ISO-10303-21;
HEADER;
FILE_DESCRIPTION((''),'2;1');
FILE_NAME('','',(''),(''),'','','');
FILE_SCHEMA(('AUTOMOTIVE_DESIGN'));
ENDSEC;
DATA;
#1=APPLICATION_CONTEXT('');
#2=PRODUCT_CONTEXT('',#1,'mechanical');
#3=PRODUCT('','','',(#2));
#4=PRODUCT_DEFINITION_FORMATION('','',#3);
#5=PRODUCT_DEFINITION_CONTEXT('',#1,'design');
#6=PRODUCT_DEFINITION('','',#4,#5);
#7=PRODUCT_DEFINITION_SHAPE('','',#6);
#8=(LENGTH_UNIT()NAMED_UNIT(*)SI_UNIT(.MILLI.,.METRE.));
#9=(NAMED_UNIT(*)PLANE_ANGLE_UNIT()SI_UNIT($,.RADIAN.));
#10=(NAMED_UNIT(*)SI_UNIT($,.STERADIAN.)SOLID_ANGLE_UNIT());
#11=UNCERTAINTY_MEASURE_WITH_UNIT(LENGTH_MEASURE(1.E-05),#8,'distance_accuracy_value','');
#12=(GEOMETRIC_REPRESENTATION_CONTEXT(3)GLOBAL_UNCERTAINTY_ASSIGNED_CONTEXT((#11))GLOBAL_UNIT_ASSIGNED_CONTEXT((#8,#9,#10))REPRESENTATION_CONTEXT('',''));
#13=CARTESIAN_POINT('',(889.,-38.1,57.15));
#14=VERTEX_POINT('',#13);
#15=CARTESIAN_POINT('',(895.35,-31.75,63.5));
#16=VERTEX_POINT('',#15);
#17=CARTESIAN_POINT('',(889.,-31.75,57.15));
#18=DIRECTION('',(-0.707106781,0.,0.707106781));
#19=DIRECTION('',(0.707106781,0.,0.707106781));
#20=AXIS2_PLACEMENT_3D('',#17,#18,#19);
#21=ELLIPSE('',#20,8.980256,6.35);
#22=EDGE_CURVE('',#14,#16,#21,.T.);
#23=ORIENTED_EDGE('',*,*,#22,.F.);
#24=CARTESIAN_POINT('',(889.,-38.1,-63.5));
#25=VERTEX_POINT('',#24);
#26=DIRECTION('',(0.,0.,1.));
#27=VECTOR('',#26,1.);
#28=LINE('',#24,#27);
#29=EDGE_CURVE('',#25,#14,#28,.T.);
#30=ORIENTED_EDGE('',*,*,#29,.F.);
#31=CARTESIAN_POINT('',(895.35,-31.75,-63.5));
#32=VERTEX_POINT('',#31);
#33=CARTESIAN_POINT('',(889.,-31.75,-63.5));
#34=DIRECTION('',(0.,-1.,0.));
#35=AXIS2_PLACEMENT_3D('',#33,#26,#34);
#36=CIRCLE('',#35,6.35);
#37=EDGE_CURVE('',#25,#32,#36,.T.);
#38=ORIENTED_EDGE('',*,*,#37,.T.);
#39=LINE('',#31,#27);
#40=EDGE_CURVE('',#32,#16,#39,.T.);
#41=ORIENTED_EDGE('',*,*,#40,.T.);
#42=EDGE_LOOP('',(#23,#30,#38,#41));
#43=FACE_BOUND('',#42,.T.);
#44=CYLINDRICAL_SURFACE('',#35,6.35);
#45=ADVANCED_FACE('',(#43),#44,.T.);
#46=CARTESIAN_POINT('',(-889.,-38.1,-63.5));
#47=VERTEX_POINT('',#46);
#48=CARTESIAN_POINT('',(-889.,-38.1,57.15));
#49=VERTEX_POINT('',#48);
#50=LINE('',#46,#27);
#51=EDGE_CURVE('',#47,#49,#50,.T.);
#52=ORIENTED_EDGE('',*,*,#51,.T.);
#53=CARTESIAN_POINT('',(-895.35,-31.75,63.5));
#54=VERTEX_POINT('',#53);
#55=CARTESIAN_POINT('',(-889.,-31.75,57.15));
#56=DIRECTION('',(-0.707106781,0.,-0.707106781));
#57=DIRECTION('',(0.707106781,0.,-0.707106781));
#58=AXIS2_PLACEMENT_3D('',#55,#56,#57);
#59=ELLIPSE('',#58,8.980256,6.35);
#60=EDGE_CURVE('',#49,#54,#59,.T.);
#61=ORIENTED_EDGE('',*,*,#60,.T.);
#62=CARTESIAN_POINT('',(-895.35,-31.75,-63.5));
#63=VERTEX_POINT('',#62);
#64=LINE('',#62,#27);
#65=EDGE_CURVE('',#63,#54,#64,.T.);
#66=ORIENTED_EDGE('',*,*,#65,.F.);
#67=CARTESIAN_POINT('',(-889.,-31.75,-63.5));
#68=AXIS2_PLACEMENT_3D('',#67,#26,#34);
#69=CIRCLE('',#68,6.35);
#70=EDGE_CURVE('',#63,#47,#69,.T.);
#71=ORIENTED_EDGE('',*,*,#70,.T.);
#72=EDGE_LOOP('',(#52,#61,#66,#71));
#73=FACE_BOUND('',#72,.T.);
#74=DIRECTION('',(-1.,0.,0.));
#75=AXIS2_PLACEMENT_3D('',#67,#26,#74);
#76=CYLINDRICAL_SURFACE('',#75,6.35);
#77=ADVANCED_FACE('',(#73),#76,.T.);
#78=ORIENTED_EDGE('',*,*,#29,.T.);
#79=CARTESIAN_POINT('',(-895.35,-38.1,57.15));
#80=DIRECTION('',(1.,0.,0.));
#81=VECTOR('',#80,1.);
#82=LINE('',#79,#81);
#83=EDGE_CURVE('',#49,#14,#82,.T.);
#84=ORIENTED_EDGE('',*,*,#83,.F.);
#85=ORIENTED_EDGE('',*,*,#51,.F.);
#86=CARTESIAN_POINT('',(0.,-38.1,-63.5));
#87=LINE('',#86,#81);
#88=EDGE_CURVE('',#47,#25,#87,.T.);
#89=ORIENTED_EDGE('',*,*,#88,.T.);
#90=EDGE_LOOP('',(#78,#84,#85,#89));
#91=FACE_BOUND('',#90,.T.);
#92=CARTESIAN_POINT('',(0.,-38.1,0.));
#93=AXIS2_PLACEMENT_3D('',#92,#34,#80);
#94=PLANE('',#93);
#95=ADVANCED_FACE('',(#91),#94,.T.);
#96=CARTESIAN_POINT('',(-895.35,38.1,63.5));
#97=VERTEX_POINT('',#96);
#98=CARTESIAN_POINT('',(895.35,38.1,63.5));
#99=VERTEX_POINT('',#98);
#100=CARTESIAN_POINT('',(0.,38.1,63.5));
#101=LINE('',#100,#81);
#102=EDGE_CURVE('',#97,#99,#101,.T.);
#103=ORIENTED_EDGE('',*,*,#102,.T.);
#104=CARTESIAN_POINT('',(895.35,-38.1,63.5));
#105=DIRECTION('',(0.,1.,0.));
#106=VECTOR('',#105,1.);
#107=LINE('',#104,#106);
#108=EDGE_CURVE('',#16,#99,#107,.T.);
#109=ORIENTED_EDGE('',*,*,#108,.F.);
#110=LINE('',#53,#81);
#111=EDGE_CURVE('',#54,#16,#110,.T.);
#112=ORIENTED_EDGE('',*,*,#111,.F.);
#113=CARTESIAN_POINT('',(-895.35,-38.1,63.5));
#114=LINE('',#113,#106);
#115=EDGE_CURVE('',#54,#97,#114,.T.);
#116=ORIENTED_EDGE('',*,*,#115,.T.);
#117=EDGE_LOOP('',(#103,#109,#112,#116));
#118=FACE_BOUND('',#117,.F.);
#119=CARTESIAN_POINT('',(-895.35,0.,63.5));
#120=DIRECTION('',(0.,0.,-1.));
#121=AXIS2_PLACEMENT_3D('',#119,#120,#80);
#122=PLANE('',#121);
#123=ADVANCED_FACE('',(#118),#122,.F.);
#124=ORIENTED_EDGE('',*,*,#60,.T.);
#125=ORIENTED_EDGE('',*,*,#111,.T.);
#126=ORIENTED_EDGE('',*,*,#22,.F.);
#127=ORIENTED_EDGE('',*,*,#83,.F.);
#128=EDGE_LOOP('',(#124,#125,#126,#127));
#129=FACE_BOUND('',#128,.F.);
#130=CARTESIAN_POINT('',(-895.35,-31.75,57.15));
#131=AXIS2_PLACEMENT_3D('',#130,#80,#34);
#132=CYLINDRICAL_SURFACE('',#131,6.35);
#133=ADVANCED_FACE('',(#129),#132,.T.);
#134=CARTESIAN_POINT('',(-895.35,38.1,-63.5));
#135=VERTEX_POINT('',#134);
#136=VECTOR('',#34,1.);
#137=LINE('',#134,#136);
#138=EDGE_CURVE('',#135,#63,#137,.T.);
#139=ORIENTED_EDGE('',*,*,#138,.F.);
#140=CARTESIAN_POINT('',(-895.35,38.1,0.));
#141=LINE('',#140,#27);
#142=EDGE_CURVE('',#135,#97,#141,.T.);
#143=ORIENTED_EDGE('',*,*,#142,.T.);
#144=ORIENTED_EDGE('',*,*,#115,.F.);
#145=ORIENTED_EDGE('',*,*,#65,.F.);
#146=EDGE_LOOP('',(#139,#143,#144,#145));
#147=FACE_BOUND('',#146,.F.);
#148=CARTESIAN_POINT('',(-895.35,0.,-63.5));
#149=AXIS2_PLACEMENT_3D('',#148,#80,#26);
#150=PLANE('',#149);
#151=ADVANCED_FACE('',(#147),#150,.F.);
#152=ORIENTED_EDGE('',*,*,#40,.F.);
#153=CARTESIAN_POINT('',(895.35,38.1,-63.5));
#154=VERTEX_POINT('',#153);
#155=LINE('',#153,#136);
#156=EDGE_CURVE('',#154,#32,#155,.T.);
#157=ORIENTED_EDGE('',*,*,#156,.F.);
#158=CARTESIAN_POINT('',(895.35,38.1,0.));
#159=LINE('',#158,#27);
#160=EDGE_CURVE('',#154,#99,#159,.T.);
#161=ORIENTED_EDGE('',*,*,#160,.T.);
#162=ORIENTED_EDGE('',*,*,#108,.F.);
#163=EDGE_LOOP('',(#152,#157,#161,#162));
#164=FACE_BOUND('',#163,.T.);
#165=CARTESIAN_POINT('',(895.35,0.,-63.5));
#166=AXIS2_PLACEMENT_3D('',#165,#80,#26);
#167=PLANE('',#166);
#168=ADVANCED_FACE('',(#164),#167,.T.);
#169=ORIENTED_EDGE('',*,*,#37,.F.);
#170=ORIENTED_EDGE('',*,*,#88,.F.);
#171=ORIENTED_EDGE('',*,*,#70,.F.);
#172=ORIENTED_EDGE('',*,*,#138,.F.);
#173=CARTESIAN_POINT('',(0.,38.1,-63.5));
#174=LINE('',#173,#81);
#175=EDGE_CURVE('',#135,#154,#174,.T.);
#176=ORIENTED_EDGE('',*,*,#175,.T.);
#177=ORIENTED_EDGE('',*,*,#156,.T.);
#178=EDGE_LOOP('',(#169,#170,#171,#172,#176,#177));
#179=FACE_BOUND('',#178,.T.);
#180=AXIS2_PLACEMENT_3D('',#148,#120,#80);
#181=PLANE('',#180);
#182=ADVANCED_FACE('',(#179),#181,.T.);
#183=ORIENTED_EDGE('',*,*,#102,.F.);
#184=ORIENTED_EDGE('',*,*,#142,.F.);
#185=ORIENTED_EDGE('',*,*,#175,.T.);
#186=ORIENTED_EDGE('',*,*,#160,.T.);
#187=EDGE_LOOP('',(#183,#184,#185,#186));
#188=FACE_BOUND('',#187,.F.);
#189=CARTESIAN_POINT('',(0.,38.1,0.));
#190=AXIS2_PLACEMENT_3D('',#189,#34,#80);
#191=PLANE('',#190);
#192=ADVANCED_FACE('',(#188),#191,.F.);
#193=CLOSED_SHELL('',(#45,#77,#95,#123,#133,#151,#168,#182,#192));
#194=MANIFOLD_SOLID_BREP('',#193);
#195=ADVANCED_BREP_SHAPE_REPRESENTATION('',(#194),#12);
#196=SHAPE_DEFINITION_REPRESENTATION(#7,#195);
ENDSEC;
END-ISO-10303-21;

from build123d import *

# Parameters (mm, degrees)
F0_W     = 1790.7
F0_H     = 127
F1_DEPTH = 38.1
F2_R     = 6.35


with BuildPart() as f1:
    # F0 (on Front) → F1 (new body, symmetric)
    with BuildSketch(Plane.XZ):
        Rectangle(F0_W, F0_H)
    extrude(amount=F1_DEPTH, both=True)

    # F2
    f2_edges = [f1.edges().sort_by_distance(p)[0] for p in [
        (0, -38.1, 63.5),
        (895.35, -38.1, 0),
        (-895.35, -38.1, 0),
    ]]
    fillet(f2_edges, radius=F2_R)


solid = f1.part
